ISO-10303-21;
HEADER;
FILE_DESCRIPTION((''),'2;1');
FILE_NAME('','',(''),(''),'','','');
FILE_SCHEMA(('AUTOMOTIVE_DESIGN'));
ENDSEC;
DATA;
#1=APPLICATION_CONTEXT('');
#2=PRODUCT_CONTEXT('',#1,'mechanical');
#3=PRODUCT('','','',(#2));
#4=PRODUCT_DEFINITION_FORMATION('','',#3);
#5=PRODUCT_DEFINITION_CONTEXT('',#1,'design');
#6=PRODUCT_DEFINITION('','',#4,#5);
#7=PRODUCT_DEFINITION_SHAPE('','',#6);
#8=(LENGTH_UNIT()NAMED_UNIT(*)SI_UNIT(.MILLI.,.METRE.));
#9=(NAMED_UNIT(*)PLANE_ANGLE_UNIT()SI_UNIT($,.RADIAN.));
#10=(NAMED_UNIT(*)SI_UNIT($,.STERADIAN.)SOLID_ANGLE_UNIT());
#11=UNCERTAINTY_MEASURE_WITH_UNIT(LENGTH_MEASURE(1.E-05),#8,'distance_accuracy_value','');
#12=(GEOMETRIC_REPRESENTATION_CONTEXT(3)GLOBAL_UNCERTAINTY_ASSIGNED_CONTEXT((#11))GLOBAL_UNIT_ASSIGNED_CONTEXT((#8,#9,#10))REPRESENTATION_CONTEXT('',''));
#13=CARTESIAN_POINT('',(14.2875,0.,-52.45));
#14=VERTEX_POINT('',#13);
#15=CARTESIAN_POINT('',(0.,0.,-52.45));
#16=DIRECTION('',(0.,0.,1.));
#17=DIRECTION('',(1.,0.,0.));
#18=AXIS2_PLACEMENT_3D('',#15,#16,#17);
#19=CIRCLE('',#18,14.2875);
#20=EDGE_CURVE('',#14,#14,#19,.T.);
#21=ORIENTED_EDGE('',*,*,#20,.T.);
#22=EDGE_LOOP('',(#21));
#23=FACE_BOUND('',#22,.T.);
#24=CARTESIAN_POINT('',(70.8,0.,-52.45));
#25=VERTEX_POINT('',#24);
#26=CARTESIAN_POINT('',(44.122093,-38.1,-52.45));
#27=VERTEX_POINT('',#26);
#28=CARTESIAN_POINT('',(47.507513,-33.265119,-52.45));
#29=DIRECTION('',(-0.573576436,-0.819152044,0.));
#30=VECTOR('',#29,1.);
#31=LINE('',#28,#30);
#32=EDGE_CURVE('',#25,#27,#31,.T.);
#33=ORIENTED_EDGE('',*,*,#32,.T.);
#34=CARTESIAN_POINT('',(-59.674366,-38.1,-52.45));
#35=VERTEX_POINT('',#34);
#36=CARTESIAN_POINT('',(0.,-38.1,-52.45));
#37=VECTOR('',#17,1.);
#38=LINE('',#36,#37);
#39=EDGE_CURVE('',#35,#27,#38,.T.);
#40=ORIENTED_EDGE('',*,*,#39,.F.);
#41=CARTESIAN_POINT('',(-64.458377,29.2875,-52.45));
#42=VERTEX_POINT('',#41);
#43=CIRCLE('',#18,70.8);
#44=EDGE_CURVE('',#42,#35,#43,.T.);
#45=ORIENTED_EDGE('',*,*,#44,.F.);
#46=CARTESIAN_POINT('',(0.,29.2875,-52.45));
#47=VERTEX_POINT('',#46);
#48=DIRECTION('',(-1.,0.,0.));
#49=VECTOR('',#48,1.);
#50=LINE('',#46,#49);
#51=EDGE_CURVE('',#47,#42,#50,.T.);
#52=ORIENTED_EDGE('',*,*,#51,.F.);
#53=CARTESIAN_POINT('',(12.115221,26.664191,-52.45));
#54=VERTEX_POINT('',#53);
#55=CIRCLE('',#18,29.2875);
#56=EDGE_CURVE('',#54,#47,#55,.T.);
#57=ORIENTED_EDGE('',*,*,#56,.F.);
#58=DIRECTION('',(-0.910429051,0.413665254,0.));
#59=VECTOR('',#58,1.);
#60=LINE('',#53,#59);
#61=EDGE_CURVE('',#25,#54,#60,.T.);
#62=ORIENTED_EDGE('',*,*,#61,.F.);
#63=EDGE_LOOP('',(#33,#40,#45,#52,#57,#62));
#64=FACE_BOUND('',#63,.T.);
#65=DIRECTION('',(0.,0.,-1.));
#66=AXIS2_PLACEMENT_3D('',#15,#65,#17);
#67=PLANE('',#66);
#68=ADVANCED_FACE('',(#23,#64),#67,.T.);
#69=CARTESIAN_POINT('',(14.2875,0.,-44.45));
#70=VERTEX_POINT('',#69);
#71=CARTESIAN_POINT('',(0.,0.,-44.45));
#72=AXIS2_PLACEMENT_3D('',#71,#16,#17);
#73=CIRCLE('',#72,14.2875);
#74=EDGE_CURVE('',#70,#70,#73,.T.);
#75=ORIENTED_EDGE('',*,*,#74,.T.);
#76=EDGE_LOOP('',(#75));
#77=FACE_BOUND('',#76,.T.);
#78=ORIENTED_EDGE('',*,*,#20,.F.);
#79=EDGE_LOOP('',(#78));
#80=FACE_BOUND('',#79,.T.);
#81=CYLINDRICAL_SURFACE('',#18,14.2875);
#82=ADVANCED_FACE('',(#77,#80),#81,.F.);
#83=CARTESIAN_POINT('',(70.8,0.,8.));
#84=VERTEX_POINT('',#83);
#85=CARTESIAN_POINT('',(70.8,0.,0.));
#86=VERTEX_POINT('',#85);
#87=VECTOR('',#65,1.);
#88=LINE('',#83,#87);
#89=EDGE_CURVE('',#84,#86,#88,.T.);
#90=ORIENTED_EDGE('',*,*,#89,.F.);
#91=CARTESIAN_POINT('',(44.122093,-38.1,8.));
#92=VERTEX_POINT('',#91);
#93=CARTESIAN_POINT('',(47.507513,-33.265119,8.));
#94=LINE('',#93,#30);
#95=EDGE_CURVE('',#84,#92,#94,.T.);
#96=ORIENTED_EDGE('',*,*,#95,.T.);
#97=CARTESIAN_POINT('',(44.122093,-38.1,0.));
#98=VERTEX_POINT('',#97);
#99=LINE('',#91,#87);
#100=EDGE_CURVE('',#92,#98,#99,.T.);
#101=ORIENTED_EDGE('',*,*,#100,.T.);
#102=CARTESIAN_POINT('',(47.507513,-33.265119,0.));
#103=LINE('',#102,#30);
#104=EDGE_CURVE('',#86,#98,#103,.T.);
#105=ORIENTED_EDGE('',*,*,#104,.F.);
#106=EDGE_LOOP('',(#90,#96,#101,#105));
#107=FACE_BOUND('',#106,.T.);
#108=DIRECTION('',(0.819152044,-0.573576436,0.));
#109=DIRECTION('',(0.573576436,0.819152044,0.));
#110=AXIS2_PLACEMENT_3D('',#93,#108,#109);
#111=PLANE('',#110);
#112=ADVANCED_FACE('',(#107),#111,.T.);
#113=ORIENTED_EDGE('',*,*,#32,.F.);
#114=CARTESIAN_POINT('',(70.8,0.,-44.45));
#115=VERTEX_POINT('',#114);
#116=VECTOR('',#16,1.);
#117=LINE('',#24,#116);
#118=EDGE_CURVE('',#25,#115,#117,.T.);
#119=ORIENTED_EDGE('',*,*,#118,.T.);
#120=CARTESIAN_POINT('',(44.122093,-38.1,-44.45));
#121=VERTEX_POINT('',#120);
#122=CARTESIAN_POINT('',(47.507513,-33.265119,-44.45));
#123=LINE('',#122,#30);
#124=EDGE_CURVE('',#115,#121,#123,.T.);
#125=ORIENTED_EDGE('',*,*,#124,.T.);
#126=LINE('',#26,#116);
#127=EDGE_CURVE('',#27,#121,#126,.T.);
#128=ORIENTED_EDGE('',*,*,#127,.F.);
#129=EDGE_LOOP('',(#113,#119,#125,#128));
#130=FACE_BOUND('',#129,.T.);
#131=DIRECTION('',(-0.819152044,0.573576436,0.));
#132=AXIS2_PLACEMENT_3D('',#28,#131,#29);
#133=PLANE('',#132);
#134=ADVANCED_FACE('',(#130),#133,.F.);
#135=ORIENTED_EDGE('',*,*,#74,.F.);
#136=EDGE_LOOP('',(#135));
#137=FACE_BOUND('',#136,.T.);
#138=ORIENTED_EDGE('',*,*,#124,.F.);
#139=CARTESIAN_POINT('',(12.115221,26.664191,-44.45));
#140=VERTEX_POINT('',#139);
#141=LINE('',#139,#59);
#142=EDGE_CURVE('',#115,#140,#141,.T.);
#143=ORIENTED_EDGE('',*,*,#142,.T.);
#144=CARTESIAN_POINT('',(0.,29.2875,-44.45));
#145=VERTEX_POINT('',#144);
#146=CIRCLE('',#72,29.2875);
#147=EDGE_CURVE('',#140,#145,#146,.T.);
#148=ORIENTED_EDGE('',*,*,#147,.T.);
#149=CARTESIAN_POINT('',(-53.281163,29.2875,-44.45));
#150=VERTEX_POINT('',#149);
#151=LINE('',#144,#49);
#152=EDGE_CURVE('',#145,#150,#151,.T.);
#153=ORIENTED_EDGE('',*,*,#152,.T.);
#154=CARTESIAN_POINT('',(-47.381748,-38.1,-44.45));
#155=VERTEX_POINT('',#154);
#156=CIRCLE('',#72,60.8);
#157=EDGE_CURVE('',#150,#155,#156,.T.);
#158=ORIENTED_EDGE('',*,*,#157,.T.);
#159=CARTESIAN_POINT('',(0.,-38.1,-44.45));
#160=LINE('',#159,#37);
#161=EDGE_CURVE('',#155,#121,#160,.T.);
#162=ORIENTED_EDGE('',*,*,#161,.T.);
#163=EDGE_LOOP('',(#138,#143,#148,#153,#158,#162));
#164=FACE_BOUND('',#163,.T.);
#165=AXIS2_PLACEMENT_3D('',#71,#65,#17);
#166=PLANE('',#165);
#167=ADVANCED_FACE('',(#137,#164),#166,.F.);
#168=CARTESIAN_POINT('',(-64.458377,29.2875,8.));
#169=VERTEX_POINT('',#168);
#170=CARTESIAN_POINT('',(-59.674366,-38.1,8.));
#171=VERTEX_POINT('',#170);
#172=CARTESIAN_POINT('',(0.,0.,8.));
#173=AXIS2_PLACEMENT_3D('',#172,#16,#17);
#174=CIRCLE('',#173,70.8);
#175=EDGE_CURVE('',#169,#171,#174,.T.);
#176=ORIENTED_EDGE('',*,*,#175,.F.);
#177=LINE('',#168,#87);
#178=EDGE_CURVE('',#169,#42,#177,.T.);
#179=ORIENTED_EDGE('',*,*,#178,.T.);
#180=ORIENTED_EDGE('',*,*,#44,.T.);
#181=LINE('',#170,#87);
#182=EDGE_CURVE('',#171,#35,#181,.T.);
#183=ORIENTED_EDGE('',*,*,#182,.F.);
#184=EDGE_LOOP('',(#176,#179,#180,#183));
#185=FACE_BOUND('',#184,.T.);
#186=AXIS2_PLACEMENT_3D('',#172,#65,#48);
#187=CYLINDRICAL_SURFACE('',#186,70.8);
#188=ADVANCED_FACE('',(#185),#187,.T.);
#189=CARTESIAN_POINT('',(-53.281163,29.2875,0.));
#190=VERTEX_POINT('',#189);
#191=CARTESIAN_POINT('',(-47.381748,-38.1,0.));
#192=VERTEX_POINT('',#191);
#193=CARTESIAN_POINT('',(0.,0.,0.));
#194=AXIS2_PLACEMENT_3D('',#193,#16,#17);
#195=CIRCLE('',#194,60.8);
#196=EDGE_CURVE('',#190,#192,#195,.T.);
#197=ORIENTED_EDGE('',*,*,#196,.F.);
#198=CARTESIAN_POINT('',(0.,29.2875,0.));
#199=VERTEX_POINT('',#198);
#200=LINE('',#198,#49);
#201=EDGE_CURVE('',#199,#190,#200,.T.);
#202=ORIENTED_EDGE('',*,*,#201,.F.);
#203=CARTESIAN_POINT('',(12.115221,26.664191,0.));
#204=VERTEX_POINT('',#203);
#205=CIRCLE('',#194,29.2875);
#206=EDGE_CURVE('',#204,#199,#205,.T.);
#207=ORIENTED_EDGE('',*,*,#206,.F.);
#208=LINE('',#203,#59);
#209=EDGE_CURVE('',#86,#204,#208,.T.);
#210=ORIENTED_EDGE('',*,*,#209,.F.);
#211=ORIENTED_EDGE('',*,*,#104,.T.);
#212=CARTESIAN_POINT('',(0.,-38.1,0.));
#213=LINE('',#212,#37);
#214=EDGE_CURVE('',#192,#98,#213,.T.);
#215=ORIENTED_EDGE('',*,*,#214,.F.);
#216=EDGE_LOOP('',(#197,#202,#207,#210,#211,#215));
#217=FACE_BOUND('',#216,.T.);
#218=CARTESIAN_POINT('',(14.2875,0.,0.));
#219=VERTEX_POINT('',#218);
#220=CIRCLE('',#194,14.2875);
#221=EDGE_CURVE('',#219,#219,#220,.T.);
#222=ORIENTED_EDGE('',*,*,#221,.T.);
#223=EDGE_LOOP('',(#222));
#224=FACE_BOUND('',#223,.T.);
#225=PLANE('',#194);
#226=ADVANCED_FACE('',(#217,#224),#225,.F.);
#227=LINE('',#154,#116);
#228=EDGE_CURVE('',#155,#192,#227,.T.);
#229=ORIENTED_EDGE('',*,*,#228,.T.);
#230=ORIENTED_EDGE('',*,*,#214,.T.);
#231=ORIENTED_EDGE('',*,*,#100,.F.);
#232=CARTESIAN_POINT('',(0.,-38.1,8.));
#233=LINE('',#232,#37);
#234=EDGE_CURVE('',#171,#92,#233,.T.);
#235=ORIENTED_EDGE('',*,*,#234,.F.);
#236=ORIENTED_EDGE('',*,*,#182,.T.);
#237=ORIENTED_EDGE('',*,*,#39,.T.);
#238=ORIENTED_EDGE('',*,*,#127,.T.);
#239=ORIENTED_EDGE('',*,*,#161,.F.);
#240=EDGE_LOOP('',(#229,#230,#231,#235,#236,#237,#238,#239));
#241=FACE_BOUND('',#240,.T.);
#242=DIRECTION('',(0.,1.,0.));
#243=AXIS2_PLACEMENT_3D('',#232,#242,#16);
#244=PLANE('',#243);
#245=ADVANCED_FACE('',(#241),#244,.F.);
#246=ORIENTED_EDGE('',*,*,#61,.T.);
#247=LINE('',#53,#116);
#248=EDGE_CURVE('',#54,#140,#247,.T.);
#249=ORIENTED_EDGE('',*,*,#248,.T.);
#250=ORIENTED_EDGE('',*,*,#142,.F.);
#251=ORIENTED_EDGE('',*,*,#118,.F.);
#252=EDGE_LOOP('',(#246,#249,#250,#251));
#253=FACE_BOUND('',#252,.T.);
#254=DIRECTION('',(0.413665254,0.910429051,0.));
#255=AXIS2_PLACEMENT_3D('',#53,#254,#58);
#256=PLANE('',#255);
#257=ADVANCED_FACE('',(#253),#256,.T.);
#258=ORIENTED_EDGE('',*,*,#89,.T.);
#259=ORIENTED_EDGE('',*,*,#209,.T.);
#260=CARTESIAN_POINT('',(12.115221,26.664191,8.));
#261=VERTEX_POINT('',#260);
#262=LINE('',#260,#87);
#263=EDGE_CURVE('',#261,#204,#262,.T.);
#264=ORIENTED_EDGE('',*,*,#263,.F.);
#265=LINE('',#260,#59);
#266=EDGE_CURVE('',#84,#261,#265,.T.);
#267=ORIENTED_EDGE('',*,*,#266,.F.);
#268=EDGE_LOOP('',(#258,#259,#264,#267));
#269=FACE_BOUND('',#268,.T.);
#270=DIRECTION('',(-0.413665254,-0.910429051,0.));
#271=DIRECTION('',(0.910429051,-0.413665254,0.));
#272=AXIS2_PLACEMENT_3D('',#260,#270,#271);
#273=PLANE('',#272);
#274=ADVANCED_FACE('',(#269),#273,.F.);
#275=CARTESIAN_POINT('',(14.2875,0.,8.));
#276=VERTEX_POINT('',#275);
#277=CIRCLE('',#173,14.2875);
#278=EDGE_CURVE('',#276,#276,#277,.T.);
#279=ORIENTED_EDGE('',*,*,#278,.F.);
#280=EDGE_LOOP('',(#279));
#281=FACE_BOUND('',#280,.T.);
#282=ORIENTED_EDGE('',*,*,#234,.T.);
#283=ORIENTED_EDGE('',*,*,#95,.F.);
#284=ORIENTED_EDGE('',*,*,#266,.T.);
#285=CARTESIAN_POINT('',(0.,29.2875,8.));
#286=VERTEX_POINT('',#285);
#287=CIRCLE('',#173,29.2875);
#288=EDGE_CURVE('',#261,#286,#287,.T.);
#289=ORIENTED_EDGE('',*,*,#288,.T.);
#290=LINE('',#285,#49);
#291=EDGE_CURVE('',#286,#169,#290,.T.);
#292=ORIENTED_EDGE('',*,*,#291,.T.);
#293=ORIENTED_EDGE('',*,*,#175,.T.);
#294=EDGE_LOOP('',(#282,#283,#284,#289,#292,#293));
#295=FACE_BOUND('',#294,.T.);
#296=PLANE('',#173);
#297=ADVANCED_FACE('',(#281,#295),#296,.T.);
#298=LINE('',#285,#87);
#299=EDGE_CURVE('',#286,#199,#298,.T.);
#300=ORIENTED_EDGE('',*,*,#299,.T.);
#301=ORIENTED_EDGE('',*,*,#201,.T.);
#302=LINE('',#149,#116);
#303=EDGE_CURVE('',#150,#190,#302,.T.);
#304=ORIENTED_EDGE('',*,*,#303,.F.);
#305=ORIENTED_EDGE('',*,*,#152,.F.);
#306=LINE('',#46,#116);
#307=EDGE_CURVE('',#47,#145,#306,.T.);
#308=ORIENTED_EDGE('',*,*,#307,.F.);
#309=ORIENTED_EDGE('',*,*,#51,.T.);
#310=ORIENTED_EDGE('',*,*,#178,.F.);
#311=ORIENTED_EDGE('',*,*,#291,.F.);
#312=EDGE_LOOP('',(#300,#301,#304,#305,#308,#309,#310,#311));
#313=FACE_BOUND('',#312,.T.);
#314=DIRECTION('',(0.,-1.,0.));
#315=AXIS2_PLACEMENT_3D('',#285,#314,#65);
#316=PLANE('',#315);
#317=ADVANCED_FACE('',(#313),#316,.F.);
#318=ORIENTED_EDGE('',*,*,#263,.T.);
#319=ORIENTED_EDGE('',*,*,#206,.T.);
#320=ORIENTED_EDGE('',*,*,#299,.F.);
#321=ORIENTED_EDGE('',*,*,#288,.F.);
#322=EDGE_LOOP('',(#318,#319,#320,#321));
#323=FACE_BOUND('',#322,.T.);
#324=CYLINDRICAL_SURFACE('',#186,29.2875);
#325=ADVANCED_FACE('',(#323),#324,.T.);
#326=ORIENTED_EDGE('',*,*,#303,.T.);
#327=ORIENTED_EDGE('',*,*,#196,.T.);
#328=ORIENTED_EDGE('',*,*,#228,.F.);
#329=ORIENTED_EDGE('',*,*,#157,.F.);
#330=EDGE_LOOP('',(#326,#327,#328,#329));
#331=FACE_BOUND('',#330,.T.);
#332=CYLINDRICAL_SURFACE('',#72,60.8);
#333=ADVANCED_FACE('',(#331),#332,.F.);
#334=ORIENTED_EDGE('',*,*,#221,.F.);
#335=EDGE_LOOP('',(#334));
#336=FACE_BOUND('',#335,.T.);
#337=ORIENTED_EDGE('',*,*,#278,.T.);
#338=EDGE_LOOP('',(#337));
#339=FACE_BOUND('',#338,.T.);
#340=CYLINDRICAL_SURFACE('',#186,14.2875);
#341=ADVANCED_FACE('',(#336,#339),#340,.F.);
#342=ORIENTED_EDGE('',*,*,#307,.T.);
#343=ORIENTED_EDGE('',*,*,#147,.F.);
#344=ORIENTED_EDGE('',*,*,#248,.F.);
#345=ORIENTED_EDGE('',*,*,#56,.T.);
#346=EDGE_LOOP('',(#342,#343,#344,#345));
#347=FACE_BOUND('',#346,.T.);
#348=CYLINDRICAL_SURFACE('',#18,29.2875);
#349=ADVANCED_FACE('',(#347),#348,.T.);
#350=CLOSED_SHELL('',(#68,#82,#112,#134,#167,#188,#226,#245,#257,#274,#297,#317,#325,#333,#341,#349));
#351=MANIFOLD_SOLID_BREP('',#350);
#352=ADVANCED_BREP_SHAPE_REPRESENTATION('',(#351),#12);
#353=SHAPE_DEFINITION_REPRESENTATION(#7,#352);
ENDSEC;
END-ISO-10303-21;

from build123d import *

# Parameters (mm, degrees)
SKETCH1_R           = 14.2875
BOSS_EXTRUDE1_DEPTH = 8
BOSS_EXTRUDE2_START = -44.45
BOSS_EXTRUDE2_DEPTH = 44.45


with BuildPart() as part:
    # Sketch1 → Boss-Extrude1 (new body)
    with BuildSketch(Plane.XY):
        with BuildLine():
            ThreePointArc((12.115221133, 26.66419084), (6.19799028, 28.624160647), (0, 29.2875))
            Line((0, 29.2875), (-64.458376831, 29.2875))
            ThreePointArc((-64.458376831, 29.2875), (-70.622257624, -5.013654168), (-59.674366356, -38.1))
            Line((-59.674366356, -38.1), (44.122092794, -38.1))
            Line((44.122092794, -38.1), (70.8, 0))
            Line((70.8, 0), (12.115221133, 26.66419084))
        make_face()
        Circle(SKETCH1_R, mode=Mode.SUBTRACT)
    boss_extrude1 = extrude(amount=BOSS_EXTRUDE1_DEPTH)

    # Sketch1<3> → Boss-Extrude2 (add)
    with BuildSketch(Plane.XY.offset(BOSS_EXTRUDE2_START)):
        with BuildLine():
            Line((-59.674366356, -38.1), (-47.381747541, -38.1))
            ThreePointArc((-47.381747541, -38.1), (-58.074384746, -18.000162122), (-60.623939927, 4.62362495))
            ThreePointArc((-60.623939927, 4.62362495), (-58.272376031, 17.348492489), (-53.281163123, 29.2875))
            Line((-53.281163123, 29.2875), (-64.458376831, 29.2875))
            ThreePointArc((-64.458376831, 29.2875), (-69.196434445, 14.983105825), (-70.8, 0))
            ThreePointArc((-70.8, 0), (-67.96169928, -19.845589711), (-59.674366356, -38.1))
        make_face()
    extrude(amount=BOSS_EXTRUDE2_DEPTH)

    # Mirror1: Boss-Extrude1 across plane
    add(boss_extrude1.mirror(Plane(origin=(0, 0, -22.225), x_dir=(1, 0, 0), z_dir=(0, 0, -1))))


solid = part.part
